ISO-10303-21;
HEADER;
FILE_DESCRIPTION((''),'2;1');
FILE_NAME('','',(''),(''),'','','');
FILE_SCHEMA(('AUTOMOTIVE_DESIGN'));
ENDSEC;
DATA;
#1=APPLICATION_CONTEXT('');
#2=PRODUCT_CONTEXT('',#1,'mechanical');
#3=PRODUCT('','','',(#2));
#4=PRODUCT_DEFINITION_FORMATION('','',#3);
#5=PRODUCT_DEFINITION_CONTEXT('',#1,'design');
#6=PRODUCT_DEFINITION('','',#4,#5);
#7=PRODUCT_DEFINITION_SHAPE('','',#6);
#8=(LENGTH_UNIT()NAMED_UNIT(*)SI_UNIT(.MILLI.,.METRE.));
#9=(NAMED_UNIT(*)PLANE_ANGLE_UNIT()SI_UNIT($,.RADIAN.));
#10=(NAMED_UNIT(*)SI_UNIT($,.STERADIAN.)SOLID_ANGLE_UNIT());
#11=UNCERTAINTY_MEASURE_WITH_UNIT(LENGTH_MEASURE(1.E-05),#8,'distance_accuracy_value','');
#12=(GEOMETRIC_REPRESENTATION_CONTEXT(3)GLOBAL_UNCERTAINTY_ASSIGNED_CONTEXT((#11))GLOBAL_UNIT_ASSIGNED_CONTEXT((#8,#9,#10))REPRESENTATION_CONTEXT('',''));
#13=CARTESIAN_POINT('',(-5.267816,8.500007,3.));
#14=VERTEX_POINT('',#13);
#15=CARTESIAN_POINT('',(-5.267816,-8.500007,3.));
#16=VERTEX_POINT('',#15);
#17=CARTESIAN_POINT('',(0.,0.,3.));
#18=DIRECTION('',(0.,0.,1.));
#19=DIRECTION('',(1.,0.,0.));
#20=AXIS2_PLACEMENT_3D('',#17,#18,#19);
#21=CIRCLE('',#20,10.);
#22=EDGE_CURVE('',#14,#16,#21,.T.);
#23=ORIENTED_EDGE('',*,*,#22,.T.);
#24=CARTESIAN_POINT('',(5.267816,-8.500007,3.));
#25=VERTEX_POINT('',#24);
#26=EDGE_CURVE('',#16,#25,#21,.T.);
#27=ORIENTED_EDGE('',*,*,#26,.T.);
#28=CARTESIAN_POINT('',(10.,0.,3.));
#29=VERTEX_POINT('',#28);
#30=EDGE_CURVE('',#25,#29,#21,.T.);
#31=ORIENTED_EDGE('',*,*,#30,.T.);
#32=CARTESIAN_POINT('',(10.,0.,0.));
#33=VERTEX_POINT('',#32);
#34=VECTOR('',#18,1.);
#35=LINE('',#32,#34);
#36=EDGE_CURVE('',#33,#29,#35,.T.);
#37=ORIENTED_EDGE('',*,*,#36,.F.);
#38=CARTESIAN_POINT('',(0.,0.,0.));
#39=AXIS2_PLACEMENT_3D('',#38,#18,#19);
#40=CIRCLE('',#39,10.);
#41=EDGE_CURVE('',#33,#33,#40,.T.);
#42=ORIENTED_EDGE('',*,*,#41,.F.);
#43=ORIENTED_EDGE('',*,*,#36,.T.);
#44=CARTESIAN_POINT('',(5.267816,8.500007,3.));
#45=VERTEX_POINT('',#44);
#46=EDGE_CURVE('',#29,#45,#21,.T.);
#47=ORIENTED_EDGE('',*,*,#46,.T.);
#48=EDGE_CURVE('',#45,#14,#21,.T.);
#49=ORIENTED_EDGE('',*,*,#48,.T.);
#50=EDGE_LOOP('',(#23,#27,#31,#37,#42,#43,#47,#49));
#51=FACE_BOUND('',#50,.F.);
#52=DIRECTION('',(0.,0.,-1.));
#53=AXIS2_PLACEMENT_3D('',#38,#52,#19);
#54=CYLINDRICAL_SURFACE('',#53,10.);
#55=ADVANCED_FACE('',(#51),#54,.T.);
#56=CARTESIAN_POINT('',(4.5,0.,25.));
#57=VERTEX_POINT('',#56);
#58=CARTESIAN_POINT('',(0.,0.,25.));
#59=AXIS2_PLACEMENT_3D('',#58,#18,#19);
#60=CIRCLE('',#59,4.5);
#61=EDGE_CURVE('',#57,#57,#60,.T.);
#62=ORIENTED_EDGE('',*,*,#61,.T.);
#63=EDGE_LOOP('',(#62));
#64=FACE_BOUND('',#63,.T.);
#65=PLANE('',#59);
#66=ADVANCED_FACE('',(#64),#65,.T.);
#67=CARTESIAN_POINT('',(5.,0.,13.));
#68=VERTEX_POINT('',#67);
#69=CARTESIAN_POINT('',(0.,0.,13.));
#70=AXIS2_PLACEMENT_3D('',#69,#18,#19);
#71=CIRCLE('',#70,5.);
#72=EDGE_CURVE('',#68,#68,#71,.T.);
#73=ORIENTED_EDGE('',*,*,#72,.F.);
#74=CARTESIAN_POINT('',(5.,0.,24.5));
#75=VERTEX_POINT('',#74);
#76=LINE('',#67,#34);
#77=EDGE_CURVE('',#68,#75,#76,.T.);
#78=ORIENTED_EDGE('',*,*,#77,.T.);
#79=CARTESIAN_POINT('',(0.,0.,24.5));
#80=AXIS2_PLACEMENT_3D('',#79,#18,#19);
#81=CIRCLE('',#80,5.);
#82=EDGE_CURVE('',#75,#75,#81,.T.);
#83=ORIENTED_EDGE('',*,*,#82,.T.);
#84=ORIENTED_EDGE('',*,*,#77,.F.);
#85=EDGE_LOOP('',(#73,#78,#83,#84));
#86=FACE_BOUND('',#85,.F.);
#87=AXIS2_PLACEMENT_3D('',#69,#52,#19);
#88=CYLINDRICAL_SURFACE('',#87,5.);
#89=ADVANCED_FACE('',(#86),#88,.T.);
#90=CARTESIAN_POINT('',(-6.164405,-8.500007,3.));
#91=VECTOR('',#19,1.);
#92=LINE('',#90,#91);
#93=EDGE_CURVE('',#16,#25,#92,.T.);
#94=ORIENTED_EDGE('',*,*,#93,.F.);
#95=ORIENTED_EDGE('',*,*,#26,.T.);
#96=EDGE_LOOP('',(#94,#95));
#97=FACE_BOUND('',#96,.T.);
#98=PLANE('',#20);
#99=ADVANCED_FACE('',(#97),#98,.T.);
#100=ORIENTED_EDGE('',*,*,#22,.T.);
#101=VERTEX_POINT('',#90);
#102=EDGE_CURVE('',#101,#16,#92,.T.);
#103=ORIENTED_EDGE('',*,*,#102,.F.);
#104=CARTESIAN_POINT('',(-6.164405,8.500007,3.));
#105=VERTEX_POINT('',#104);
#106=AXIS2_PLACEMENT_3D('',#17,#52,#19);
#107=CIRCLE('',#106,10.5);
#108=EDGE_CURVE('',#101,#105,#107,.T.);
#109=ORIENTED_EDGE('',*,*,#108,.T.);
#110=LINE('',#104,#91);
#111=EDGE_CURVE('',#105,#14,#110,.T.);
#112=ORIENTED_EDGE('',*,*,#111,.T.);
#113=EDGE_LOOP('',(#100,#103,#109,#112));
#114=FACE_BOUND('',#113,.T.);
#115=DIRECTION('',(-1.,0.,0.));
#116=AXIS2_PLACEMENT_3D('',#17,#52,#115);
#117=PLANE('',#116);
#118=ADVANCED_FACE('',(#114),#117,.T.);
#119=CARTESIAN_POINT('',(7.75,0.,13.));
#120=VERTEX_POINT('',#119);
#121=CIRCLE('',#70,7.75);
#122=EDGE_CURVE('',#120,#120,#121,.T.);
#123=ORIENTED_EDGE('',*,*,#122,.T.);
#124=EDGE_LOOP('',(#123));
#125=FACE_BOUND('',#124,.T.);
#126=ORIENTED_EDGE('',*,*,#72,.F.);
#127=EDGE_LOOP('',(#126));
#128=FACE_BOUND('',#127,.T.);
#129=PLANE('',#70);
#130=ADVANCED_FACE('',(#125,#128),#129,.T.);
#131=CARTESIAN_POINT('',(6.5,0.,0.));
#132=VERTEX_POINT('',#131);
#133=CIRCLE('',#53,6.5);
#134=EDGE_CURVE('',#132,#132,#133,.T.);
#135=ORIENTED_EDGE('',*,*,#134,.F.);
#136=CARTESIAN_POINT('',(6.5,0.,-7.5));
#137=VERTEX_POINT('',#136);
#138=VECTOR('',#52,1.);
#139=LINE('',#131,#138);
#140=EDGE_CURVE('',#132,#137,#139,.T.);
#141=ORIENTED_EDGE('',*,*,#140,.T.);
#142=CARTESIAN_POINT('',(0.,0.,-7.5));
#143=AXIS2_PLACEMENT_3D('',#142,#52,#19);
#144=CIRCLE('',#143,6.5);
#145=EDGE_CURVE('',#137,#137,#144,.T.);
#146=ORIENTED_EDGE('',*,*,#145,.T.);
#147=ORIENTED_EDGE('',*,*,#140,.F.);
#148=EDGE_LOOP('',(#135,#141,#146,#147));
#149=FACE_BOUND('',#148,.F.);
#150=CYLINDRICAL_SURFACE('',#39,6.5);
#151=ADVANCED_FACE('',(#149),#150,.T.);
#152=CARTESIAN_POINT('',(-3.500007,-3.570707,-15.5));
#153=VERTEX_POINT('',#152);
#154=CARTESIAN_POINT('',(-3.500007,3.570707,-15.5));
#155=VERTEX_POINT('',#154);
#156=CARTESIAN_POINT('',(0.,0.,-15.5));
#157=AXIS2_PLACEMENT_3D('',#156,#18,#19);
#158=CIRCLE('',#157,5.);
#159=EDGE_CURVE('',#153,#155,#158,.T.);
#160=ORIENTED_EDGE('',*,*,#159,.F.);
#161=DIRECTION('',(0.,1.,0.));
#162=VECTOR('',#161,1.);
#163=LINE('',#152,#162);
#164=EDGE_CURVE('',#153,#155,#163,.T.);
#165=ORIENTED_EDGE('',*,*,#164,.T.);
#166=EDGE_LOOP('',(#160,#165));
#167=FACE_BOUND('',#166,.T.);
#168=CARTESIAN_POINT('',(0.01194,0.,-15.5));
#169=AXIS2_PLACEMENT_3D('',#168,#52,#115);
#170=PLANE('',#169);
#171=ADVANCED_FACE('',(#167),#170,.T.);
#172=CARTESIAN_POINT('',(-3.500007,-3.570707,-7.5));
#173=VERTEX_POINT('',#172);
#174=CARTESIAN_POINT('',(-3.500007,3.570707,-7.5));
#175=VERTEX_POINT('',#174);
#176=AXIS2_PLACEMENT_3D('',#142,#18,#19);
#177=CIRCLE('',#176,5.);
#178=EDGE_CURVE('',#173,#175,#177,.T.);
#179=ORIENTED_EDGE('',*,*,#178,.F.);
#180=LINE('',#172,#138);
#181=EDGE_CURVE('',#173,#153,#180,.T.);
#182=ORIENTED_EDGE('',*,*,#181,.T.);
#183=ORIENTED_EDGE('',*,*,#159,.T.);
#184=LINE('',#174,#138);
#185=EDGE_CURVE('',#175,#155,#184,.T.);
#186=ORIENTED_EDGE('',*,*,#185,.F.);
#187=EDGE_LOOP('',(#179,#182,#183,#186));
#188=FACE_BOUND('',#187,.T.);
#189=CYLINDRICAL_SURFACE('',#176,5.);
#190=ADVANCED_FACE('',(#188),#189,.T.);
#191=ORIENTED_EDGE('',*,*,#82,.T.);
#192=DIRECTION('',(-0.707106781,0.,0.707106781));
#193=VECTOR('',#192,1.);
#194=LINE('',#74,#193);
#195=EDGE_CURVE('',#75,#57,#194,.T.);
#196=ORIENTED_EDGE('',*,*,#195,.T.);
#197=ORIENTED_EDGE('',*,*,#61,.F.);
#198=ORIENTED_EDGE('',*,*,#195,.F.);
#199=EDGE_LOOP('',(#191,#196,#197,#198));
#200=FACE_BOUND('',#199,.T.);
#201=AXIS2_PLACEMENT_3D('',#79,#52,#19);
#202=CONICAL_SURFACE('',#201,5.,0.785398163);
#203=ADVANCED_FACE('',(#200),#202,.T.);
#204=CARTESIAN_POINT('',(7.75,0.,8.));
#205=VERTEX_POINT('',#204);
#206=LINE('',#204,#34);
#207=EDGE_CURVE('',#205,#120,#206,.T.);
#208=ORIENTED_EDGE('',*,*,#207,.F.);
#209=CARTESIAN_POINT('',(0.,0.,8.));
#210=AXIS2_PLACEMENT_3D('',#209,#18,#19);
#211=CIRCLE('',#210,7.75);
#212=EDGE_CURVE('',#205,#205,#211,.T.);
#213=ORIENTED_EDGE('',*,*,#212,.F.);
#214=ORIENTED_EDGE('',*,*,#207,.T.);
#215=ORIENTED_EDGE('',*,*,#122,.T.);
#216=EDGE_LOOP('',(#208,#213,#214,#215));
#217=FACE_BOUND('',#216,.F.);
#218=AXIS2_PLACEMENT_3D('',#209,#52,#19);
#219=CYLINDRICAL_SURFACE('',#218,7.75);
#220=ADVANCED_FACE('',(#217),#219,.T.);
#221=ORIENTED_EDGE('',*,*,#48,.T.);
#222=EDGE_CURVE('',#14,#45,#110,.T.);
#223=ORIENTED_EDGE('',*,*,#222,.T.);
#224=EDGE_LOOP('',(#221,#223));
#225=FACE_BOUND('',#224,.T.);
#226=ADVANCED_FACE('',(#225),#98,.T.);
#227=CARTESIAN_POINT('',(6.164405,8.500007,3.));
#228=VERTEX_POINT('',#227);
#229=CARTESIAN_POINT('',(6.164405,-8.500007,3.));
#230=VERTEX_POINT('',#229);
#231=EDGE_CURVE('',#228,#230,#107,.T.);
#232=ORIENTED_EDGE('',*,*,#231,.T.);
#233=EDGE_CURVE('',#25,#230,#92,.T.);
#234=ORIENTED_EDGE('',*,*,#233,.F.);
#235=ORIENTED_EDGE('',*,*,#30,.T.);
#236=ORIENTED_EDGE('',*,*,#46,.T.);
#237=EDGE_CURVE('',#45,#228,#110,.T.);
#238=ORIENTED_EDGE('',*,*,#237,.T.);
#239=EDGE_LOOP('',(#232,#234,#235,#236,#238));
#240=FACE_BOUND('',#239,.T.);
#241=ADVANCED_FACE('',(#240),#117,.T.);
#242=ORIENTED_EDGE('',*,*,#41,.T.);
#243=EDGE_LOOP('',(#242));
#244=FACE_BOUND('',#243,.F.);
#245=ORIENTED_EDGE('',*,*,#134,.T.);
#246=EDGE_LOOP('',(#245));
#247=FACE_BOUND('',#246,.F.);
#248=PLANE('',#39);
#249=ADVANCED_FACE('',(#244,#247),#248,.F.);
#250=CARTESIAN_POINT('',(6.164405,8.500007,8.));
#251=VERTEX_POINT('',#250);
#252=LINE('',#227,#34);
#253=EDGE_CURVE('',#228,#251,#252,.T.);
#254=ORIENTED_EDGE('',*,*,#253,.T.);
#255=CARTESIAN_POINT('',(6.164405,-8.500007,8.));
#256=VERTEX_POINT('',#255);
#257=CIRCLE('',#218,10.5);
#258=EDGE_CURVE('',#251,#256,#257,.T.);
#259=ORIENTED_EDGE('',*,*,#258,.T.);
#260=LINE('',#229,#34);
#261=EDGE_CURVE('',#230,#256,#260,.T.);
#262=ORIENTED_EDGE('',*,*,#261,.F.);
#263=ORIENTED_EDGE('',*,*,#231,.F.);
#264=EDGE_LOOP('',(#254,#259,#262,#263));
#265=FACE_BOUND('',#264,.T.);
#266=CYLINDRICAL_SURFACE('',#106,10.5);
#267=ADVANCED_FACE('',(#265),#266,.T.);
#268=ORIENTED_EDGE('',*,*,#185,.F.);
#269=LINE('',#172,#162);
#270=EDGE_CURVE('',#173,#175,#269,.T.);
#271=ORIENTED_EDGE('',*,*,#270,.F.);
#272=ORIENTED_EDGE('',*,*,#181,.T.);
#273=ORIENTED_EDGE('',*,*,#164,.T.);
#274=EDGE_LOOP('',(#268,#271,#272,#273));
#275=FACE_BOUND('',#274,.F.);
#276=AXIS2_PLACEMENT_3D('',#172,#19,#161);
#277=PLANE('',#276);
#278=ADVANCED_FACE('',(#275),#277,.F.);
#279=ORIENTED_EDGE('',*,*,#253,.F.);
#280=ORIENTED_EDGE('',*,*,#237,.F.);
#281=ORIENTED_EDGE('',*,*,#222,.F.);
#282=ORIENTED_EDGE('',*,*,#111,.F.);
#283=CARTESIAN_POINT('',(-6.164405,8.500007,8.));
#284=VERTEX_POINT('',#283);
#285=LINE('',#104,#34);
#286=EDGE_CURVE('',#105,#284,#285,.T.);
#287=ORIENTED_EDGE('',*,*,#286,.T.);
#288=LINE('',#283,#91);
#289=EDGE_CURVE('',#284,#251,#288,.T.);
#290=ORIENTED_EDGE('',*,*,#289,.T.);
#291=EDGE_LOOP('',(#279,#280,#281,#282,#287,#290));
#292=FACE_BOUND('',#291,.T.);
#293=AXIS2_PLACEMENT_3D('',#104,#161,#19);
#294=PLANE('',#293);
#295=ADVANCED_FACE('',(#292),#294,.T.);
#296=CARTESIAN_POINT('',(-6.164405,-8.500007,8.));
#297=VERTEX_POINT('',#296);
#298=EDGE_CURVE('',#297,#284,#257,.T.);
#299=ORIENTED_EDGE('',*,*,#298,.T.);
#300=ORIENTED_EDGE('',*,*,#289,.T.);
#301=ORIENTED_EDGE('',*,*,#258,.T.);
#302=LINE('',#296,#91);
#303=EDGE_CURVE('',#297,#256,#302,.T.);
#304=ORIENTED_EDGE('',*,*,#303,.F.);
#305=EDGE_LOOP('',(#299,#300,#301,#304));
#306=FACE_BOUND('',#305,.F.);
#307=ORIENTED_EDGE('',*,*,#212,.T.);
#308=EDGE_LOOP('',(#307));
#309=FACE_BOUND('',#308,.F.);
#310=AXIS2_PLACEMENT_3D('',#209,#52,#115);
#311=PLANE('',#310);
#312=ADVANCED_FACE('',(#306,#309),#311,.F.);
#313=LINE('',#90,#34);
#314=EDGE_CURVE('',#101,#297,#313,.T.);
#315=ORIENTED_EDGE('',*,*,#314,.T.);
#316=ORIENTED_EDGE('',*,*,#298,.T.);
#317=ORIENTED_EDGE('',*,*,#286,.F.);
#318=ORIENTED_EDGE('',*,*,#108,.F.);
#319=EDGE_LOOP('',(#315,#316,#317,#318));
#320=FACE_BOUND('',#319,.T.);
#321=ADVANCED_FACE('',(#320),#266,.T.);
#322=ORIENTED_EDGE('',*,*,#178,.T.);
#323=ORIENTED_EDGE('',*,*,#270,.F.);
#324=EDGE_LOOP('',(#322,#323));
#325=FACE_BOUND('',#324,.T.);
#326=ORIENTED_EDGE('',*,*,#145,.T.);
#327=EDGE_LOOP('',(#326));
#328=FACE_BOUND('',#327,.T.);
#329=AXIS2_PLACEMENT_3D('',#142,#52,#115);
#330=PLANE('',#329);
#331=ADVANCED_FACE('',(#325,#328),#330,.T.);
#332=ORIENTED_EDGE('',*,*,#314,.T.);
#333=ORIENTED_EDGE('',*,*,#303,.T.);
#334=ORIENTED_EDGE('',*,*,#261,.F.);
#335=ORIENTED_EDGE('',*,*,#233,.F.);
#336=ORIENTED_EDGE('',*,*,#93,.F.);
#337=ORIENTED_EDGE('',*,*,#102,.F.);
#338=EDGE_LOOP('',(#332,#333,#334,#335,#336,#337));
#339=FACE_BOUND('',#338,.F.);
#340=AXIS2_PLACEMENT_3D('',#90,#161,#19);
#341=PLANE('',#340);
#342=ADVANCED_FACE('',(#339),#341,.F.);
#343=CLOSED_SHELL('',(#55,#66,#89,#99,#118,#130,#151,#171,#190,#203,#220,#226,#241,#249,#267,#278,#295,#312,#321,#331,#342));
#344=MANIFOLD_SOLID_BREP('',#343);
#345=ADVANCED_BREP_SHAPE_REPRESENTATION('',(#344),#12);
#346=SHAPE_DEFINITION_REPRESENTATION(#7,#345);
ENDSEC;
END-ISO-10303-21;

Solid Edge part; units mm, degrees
sketch "Sketch1" plane through (0, 0, 0) normal (0, 0, 1) x (1, 0, 0)
  circle A0 centre (0, 0) radius 10
  dimension "D1" = 20
extrude "Protrusion1" add sketch "Sketch1" along normal blind 3
sketch "Sketch2" plane through (0, 0, 0) normal (0, 0, -1) x (1, 0, 0)
  circle A0 centre (0, 0) radius 6.5
  dimension "D1" = 13
extrude "Protrusion2" add sketch "Sketch2" along normal blind 7.5
sketch "Sketch3" plane through (0, 0, -7.5) normal (0, 0, -1) x (1, 0, 0)
  line L0 (-3.5, 3.5707) -> (-3.5, -3.5707)
  arc A0 (-3.5, 3.5707) -> (-3.5, -3.5707) centre (0, 0) cw
  dimension "D1" = 10
  dimension "D2" = 3.5
extrude "Protrusion3" add sketch "Sketch3" along normal blind 8
sketch "Sketch4" plane through (0, 0, 3) normal (0, 0, 1) x (1, 0, 0)
  line L0 (-6.1644, 8.5) -> (6.1644, 8.5)
  arc A0 (6.1644, 8.5) -> (6.1644, -8.5) centre (0, 0) cw
  line L1 (-6.1644, -8.5) -> (6.1644, -8.5)
  arc A1 (-6.1644, -8.5) -> (-6.1644, 8.5) centre (0, 0) cw
  dimension "D1" = 10.5
  dimension "D2" = 8.5
  dimension "D3" = 17
extrude "Protrusion4" add sketch "Sketch4" along normal blind 5
sketch "Sketch5" plane through (0, 0, 8) normal (0, 0, 1) x (1, 0, 0)
  circle A0 centre (0, 0) radius 7.75
  dimension "D1" = 15.5
extrude "Protrusion5" add sketch "Sketch5" along normal blind 5
sketch "Sketch6" plane through (0, 0, 13) normal (0, 0, 1) x (1, 0, 0)
  circle A0 centre (0, 0) radius 5
  dimension "D1" = 10
extrude "Protrusion6" add sketch "Sketch6" along normal blind 12
chamfer "Chamfer1" distance 0.5 angle 45 1 edges at (-5, 0, 25)
properties part number "SHAFT2" material "4140 Steel"
